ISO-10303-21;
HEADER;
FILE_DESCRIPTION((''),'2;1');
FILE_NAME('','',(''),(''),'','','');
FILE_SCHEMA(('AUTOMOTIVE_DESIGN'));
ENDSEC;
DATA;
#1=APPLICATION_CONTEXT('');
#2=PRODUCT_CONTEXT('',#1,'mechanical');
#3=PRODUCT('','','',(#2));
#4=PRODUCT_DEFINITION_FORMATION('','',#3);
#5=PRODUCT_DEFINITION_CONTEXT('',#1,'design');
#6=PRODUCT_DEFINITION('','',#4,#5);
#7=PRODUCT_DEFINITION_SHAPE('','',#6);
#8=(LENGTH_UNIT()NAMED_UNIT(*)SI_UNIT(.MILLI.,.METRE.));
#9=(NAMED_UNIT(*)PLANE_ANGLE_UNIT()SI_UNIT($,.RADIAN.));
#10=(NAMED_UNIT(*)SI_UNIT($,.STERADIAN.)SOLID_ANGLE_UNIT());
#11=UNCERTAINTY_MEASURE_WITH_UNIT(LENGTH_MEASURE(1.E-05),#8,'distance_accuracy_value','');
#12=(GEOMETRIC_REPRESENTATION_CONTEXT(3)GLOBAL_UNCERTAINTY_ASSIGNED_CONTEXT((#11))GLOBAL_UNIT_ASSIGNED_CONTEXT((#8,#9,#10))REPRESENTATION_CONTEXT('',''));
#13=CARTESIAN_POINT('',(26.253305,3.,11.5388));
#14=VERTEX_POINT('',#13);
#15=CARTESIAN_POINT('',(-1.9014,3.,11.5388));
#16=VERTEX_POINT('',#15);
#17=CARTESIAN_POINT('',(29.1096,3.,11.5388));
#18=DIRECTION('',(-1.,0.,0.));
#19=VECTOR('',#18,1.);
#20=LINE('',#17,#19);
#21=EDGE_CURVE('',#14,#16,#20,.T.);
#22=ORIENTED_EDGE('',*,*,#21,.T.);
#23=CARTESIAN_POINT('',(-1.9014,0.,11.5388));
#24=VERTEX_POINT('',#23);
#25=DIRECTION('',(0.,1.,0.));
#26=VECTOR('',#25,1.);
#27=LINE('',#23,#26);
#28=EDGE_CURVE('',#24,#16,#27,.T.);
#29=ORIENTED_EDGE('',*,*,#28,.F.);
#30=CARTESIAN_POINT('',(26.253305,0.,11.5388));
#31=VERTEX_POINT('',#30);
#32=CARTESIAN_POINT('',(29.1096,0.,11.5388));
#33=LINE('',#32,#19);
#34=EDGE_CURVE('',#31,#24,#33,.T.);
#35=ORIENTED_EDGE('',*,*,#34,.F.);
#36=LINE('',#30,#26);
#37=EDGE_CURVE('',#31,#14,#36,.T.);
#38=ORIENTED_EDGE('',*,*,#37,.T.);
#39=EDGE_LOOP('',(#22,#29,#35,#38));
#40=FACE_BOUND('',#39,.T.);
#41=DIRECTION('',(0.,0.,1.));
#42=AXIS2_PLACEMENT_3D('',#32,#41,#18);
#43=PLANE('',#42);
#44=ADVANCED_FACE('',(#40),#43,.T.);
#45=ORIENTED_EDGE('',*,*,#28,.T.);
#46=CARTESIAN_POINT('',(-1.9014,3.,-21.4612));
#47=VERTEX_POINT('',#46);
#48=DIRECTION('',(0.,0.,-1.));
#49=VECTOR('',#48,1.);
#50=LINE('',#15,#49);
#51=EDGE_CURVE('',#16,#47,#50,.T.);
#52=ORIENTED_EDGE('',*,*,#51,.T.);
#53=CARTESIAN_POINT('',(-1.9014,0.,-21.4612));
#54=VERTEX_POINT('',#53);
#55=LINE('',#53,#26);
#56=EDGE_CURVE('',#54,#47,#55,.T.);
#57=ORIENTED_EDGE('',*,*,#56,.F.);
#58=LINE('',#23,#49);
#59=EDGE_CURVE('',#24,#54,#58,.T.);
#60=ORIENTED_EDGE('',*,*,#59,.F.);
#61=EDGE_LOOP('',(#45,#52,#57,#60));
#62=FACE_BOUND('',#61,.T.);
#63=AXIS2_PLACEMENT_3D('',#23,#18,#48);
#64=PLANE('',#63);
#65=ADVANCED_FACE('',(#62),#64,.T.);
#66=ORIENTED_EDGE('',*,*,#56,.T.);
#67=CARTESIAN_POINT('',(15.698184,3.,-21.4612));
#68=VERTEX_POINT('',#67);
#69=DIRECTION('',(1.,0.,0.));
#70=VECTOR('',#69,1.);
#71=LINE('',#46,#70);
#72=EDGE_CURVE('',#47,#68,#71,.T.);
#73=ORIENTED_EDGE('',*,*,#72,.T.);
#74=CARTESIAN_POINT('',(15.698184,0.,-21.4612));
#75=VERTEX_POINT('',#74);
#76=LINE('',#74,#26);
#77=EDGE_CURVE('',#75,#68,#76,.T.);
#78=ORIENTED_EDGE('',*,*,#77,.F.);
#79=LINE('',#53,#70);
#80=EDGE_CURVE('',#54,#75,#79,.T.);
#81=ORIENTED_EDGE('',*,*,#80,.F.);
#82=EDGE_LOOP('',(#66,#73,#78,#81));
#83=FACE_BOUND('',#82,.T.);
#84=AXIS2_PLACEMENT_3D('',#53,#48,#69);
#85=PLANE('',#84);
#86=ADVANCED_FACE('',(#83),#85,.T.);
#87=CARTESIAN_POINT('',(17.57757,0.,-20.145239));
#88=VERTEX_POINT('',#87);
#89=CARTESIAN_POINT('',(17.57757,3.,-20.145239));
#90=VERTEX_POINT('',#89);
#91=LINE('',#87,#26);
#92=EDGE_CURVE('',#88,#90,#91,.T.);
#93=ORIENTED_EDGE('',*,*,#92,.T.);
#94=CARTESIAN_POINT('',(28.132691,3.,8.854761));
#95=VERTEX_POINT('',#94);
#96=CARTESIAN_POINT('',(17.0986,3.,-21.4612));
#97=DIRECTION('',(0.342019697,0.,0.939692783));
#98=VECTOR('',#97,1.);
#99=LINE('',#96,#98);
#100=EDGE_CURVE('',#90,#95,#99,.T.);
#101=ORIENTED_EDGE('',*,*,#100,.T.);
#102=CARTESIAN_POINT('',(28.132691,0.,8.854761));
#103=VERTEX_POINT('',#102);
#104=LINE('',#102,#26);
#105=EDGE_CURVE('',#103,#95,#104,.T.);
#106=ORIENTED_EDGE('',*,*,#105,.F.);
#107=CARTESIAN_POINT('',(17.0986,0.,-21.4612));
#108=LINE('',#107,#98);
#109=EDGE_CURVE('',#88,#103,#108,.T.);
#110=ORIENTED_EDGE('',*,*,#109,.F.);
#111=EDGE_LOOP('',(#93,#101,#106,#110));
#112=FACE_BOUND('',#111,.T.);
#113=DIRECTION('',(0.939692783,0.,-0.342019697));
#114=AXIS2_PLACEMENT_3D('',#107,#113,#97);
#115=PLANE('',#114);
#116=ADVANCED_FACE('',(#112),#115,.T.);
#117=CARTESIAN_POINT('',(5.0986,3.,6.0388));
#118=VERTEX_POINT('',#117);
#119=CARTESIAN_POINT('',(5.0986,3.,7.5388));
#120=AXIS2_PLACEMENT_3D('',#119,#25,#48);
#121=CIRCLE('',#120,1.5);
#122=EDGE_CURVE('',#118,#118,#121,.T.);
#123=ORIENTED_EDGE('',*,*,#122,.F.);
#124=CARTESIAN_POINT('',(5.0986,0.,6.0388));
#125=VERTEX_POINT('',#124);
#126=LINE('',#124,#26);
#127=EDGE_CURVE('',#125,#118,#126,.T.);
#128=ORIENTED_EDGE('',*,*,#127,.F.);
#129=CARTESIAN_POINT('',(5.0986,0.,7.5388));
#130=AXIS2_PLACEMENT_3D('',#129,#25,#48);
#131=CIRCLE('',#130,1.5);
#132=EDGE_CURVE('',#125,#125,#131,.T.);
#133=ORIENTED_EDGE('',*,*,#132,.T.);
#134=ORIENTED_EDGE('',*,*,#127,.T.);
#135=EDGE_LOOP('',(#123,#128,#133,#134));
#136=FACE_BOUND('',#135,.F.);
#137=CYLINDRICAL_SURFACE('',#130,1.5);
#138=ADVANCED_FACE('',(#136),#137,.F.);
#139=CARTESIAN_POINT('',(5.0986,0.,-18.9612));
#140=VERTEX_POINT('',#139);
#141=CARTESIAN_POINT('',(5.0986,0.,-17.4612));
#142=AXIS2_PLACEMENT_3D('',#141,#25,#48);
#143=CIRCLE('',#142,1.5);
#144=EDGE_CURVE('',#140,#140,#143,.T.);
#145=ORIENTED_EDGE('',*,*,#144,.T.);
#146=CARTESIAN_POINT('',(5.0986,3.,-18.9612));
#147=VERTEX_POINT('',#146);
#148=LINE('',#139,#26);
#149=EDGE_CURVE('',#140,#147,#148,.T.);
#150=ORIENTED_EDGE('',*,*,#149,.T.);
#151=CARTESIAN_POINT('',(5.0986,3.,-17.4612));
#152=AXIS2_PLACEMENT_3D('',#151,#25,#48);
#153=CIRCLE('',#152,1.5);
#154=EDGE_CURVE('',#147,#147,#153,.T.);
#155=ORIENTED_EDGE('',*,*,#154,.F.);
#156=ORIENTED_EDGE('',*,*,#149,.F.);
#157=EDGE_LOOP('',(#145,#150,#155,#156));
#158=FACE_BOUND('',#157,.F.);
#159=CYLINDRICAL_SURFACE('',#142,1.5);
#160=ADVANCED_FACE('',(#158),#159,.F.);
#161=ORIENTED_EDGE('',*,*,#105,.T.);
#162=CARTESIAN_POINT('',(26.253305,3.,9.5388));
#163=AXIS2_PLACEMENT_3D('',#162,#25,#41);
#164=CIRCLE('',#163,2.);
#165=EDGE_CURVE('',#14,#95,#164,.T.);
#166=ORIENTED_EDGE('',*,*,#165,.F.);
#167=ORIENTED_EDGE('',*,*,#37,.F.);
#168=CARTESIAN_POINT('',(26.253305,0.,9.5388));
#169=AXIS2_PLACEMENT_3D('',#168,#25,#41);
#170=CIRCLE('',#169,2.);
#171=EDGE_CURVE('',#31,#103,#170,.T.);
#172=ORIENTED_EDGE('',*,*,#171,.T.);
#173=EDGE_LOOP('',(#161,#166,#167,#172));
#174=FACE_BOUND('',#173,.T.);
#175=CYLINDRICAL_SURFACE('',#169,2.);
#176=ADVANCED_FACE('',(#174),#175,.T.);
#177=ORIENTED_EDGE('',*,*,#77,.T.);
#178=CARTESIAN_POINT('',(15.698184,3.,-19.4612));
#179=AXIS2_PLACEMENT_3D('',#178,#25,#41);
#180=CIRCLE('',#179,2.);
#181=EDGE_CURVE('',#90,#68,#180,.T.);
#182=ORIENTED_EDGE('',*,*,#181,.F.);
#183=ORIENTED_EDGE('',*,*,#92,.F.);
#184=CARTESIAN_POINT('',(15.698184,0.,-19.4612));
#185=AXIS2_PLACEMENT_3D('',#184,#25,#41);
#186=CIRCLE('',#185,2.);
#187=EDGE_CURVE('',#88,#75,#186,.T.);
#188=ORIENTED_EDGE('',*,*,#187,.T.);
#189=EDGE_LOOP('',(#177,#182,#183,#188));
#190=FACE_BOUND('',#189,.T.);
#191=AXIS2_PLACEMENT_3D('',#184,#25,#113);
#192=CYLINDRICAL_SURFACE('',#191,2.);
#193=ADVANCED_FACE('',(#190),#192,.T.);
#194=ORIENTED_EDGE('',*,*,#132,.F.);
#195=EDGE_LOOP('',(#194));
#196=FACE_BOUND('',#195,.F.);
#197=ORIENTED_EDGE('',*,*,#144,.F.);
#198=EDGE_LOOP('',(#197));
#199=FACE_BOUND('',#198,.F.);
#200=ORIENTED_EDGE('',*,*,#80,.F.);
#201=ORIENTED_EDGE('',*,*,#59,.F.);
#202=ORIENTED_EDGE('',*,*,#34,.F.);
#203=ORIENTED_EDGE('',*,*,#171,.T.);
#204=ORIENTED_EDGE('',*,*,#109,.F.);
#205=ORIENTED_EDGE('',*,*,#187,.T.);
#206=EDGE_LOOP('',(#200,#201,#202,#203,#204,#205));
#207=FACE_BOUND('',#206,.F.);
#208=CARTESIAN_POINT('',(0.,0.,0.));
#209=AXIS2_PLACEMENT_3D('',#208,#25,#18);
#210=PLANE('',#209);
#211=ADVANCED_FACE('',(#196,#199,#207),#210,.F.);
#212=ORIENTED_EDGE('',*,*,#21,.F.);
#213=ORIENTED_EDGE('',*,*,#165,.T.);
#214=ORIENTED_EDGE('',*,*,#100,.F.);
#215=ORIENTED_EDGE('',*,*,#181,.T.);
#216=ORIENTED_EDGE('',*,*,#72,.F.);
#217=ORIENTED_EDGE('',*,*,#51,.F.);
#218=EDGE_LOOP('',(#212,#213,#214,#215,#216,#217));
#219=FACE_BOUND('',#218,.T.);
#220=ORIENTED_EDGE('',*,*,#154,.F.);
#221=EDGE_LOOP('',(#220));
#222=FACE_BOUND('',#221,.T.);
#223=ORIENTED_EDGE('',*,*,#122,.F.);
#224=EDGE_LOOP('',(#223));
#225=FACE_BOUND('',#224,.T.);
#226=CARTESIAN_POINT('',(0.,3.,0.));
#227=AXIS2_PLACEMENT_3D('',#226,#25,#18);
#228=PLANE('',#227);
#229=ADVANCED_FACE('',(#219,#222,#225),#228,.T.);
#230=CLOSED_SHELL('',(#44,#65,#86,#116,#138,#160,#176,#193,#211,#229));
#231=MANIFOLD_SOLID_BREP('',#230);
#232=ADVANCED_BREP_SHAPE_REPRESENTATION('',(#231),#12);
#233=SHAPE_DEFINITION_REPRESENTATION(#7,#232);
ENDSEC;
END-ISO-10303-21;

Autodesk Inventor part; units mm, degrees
ref_plane "YZ Plane" through (0, 0, 0) normal (1, 0, 0) x (0, 1, 0)
ref_plane "XZ Plane" through (0, 0, 0) normal (0, 1, 0) x (-1, 0, 0)
ref_plane "XY Plane" through (0, 0, 0) normal (0, 0, 1) x (1, 0, 0)
sketch "Sketch1" plane through (0, 0, 0) normal (0, 1, 0) x (-1, 0, 0)
  line L0 (1.9014, 11.5388) -> (1.9014, -21.4612)
  line L1 (1.9014, -21.4612) -> (-17.0986, -21.4612)
  line L2 (-17.0986, -21.4612) -> (-29.1096, 11.5388)
  line L3 (-29.1096, 11.5388) -> (1.9014, 11.5388)
  line L4 (-17.0986, -21.4612) -> (-17.0986, 11.5388) construction
  point P0 (0, 0)
  dimension "d1" = 33
  dimension "d2" = 20
  dimension "d22" = 19
extrude "Extrusion1" add sketch "Sketch1" along normal blind 3
sketch "Sketch3" plane through (0, 0, 0) normal (0, -1, 0) x (1, 0, 0)
  line L0 (29.1096, 11.5388) -> (-1.9014, 11.5388) projected
  line L1 (-1.9014, 11.5388) -> (-1.9014, -21.4612) projected
  line L2 (-1.9014, -21.4612) -> (17.0986, -21.4612) projected
  point P0 (0, 0)
  point P1 (5.0986, 7.5388)
  point P2 (5.0986, -17.4612)
  dimension "d5" = 4
  dimension "d6" = 4
  dimension "d19" = 7
  dimension "d21" = 7
hole "Hole1" at (5.0986, 0, 7.5388) at (5.0986, 0, -17.4612) direction (0, 1, 0) diameter 3 end through all
fillet "Fillet1" radius 2 1 edges at (29.1096, 1.5, 11.5388)
fillet "Fillet2" radius 2 1 edges at (17.0986, 1.5, -21.4612)
equation "\"d6\" = d5"
equation "\"d21\" = d19"
properties part number "k2_feet"
